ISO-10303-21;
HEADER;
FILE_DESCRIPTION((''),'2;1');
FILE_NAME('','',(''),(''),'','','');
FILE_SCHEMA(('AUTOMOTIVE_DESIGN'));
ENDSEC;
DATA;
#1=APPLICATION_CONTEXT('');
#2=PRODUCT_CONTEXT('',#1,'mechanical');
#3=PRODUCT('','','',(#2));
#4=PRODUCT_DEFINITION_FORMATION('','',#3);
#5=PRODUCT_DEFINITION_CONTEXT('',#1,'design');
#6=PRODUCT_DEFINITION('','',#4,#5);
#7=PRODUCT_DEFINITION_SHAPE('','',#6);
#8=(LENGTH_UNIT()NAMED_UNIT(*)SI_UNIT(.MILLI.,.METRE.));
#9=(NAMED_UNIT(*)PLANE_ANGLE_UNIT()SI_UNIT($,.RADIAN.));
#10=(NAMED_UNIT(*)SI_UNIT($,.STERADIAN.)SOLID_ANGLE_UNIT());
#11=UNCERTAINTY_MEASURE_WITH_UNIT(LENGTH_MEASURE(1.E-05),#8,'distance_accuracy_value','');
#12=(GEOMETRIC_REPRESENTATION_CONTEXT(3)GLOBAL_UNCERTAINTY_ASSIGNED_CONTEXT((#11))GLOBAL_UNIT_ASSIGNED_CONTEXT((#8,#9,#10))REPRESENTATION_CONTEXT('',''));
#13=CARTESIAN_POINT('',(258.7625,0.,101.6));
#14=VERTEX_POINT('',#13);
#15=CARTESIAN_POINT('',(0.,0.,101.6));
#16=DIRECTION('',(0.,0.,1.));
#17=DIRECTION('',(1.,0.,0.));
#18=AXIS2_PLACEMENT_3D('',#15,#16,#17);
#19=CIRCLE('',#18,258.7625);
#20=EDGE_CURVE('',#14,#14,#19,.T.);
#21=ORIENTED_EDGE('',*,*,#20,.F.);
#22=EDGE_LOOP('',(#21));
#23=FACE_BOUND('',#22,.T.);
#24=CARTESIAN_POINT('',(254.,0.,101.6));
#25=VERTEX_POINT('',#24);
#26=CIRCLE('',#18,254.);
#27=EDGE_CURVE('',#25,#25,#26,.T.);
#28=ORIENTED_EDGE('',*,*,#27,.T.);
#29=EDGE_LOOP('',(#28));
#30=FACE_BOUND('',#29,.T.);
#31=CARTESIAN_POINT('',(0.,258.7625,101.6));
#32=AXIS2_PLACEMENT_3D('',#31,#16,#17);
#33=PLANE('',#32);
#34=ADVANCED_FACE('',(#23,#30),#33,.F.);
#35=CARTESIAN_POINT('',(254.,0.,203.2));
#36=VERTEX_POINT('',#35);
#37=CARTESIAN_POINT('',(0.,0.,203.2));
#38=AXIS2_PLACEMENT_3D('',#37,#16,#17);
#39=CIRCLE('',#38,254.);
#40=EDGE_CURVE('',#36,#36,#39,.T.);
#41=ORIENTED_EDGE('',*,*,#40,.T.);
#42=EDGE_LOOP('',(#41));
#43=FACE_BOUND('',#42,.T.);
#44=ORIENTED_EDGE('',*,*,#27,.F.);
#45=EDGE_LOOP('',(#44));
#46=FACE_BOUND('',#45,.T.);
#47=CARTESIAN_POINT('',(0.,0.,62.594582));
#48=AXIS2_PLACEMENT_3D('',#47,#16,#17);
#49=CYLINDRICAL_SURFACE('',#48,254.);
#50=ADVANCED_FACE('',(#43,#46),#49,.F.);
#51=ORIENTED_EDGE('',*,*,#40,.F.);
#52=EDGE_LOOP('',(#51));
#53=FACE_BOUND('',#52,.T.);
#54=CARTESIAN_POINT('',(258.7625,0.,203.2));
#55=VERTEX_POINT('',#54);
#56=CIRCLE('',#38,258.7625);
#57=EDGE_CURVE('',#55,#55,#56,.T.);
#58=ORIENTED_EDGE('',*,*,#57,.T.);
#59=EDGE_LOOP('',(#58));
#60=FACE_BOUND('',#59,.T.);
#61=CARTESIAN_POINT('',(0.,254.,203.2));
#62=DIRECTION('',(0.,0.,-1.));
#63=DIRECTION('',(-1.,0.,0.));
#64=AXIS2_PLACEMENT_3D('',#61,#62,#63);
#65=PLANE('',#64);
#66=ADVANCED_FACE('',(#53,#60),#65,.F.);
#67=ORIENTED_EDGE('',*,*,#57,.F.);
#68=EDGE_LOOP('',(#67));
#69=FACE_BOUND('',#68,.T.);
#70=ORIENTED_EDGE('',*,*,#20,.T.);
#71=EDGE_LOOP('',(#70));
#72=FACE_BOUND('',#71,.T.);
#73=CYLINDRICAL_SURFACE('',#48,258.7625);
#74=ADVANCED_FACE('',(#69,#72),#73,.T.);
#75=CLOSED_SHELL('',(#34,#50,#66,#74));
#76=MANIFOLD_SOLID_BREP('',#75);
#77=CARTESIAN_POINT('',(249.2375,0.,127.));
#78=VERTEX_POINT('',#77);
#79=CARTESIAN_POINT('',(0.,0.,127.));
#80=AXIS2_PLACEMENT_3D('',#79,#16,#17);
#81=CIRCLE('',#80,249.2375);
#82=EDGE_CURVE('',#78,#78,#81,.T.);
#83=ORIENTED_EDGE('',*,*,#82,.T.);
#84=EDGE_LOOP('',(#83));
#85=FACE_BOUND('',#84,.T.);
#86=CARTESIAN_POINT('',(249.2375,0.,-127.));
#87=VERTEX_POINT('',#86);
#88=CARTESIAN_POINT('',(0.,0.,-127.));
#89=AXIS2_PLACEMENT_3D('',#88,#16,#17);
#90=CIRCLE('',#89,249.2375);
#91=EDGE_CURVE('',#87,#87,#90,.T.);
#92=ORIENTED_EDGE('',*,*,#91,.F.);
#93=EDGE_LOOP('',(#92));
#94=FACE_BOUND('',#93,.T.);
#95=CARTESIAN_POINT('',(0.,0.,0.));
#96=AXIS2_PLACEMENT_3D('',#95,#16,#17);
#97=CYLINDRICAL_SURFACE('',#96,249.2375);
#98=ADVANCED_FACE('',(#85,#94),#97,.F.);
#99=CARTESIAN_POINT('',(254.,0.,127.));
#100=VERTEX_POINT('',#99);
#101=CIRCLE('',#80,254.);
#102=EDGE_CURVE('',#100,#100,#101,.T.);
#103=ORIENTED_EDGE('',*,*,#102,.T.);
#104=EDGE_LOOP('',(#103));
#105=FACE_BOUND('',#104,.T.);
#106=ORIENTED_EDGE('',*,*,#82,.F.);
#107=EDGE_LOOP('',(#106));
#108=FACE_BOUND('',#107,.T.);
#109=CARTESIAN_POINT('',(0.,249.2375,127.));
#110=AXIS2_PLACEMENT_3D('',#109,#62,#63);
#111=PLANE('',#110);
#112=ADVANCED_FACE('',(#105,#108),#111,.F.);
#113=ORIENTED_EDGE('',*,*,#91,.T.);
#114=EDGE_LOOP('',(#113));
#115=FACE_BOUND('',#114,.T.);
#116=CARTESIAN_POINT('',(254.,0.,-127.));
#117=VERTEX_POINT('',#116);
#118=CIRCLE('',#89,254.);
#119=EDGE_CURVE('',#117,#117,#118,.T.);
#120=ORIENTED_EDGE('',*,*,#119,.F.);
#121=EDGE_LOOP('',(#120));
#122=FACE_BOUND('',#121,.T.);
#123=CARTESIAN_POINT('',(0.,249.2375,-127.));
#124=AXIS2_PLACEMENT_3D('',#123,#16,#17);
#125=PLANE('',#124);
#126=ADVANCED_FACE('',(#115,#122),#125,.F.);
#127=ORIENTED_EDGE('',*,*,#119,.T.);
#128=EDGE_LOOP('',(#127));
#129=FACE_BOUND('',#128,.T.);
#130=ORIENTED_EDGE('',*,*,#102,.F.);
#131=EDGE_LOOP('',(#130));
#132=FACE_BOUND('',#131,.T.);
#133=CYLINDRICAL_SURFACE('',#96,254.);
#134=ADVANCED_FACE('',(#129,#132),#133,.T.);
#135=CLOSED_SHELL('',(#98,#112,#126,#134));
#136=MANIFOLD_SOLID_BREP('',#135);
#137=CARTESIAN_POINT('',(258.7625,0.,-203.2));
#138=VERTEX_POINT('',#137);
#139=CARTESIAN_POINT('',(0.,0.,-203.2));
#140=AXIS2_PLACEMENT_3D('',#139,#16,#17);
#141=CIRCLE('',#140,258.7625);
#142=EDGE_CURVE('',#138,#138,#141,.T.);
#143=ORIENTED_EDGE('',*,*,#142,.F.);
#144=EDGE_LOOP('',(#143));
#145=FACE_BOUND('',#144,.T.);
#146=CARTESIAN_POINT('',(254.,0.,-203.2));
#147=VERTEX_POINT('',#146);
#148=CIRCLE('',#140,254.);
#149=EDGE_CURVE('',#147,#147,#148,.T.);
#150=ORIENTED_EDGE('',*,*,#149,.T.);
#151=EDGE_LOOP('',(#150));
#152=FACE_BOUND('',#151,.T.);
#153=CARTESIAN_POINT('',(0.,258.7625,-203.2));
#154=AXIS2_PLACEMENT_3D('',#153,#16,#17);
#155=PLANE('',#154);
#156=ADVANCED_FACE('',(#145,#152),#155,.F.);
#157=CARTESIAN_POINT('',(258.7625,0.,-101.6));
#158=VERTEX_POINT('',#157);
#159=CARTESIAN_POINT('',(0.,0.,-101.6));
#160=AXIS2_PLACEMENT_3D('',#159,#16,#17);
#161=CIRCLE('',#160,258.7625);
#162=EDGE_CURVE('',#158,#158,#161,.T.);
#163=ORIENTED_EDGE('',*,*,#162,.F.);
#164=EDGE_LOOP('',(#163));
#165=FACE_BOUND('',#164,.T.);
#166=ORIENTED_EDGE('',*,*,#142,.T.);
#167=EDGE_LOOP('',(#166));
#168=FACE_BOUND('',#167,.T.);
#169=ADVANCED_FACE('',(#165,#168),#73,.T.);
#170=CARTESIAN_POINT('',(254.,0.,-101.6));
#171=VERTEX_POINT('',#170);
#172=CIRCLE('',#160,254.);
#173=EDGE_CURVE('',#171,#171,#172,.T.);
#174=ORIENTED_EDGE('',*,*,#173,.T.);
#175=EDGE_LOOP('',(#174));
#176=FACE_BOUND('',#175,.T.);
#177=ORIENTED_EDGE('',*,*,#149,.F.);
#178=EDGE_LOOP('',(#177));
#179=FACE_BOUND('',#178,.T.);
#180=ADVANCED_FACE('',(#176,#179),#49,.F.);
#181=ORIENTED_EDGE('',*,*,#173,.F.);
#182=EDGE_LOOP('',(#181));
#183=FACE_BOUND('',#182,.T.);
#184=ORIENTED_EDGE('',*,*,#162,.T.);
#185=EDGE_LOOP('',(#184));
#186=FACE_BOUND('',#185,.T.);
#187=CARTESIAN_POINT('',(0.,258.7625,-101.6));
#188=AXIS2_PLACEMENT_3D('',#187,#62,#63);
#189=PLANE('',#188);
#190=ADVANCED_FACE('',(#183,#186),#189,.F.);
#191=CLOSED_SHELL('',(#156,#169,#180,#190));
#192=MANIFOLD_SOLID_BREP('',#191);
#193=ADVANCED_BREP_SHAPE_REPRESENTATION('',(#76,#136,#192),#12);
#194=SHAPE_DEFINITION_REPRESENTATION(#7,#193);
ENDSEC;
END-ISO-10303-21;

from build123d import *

# Parameters (mm, degrees)
SKETCH2_W = 101.6
SKETCH2_H = 4.7625
SKETCH3_W = 254
SKETCH3_H = 4.7625


with BuildPart() as part:
    # Sketch2 → Revolve1 (revolve)
    with BuildSketch(Plane(origin=(0, 0, 0), x_dir=(0, 0, -1), z_dir=(1, 0, 0)), mode=Mode.PRIVATE) as revolve1_sk:
        with Locations((-152.4, 256.38125)):
            Rectangle(SKETCH2_W, SKETCH2_H)
        with Locations((152.4, 256.38125)):
            Rectangle(SKETCH2_W, SKETCH2_H)
    revolve(revolve1_sk.sketch.rotate(Axis((0, 0, 62.594581749), (0, 0, -1)), 90), axis=Axis((0, 0, 62.594581749), (0, 0, -1)))  # turned: the seam where the file's is


with BuildPart() as body_2:
    # Sketch3 → Revolve2 (revolve)
    with BuildSketch(Plane(origin=(0, 0, 0), x_dir=(0, 0, -1), z_dir=(1, 0, 0)), mode=Mode.PRIVATE) as revolve2_sk:
        with Locations((0, 251.61875)):
            Rectangle(SKETCH3_W, SKETCH3_H)
    revolve(revolve2_sk.sketch.rotate(Axis((0, 0, 0), (0, 0, -1)), 90), axis=Axis((0, 0, 0), (0, 0, -1)))  # turned: the seam where the file's is


solid = Compound([part.part, body_2.part])
